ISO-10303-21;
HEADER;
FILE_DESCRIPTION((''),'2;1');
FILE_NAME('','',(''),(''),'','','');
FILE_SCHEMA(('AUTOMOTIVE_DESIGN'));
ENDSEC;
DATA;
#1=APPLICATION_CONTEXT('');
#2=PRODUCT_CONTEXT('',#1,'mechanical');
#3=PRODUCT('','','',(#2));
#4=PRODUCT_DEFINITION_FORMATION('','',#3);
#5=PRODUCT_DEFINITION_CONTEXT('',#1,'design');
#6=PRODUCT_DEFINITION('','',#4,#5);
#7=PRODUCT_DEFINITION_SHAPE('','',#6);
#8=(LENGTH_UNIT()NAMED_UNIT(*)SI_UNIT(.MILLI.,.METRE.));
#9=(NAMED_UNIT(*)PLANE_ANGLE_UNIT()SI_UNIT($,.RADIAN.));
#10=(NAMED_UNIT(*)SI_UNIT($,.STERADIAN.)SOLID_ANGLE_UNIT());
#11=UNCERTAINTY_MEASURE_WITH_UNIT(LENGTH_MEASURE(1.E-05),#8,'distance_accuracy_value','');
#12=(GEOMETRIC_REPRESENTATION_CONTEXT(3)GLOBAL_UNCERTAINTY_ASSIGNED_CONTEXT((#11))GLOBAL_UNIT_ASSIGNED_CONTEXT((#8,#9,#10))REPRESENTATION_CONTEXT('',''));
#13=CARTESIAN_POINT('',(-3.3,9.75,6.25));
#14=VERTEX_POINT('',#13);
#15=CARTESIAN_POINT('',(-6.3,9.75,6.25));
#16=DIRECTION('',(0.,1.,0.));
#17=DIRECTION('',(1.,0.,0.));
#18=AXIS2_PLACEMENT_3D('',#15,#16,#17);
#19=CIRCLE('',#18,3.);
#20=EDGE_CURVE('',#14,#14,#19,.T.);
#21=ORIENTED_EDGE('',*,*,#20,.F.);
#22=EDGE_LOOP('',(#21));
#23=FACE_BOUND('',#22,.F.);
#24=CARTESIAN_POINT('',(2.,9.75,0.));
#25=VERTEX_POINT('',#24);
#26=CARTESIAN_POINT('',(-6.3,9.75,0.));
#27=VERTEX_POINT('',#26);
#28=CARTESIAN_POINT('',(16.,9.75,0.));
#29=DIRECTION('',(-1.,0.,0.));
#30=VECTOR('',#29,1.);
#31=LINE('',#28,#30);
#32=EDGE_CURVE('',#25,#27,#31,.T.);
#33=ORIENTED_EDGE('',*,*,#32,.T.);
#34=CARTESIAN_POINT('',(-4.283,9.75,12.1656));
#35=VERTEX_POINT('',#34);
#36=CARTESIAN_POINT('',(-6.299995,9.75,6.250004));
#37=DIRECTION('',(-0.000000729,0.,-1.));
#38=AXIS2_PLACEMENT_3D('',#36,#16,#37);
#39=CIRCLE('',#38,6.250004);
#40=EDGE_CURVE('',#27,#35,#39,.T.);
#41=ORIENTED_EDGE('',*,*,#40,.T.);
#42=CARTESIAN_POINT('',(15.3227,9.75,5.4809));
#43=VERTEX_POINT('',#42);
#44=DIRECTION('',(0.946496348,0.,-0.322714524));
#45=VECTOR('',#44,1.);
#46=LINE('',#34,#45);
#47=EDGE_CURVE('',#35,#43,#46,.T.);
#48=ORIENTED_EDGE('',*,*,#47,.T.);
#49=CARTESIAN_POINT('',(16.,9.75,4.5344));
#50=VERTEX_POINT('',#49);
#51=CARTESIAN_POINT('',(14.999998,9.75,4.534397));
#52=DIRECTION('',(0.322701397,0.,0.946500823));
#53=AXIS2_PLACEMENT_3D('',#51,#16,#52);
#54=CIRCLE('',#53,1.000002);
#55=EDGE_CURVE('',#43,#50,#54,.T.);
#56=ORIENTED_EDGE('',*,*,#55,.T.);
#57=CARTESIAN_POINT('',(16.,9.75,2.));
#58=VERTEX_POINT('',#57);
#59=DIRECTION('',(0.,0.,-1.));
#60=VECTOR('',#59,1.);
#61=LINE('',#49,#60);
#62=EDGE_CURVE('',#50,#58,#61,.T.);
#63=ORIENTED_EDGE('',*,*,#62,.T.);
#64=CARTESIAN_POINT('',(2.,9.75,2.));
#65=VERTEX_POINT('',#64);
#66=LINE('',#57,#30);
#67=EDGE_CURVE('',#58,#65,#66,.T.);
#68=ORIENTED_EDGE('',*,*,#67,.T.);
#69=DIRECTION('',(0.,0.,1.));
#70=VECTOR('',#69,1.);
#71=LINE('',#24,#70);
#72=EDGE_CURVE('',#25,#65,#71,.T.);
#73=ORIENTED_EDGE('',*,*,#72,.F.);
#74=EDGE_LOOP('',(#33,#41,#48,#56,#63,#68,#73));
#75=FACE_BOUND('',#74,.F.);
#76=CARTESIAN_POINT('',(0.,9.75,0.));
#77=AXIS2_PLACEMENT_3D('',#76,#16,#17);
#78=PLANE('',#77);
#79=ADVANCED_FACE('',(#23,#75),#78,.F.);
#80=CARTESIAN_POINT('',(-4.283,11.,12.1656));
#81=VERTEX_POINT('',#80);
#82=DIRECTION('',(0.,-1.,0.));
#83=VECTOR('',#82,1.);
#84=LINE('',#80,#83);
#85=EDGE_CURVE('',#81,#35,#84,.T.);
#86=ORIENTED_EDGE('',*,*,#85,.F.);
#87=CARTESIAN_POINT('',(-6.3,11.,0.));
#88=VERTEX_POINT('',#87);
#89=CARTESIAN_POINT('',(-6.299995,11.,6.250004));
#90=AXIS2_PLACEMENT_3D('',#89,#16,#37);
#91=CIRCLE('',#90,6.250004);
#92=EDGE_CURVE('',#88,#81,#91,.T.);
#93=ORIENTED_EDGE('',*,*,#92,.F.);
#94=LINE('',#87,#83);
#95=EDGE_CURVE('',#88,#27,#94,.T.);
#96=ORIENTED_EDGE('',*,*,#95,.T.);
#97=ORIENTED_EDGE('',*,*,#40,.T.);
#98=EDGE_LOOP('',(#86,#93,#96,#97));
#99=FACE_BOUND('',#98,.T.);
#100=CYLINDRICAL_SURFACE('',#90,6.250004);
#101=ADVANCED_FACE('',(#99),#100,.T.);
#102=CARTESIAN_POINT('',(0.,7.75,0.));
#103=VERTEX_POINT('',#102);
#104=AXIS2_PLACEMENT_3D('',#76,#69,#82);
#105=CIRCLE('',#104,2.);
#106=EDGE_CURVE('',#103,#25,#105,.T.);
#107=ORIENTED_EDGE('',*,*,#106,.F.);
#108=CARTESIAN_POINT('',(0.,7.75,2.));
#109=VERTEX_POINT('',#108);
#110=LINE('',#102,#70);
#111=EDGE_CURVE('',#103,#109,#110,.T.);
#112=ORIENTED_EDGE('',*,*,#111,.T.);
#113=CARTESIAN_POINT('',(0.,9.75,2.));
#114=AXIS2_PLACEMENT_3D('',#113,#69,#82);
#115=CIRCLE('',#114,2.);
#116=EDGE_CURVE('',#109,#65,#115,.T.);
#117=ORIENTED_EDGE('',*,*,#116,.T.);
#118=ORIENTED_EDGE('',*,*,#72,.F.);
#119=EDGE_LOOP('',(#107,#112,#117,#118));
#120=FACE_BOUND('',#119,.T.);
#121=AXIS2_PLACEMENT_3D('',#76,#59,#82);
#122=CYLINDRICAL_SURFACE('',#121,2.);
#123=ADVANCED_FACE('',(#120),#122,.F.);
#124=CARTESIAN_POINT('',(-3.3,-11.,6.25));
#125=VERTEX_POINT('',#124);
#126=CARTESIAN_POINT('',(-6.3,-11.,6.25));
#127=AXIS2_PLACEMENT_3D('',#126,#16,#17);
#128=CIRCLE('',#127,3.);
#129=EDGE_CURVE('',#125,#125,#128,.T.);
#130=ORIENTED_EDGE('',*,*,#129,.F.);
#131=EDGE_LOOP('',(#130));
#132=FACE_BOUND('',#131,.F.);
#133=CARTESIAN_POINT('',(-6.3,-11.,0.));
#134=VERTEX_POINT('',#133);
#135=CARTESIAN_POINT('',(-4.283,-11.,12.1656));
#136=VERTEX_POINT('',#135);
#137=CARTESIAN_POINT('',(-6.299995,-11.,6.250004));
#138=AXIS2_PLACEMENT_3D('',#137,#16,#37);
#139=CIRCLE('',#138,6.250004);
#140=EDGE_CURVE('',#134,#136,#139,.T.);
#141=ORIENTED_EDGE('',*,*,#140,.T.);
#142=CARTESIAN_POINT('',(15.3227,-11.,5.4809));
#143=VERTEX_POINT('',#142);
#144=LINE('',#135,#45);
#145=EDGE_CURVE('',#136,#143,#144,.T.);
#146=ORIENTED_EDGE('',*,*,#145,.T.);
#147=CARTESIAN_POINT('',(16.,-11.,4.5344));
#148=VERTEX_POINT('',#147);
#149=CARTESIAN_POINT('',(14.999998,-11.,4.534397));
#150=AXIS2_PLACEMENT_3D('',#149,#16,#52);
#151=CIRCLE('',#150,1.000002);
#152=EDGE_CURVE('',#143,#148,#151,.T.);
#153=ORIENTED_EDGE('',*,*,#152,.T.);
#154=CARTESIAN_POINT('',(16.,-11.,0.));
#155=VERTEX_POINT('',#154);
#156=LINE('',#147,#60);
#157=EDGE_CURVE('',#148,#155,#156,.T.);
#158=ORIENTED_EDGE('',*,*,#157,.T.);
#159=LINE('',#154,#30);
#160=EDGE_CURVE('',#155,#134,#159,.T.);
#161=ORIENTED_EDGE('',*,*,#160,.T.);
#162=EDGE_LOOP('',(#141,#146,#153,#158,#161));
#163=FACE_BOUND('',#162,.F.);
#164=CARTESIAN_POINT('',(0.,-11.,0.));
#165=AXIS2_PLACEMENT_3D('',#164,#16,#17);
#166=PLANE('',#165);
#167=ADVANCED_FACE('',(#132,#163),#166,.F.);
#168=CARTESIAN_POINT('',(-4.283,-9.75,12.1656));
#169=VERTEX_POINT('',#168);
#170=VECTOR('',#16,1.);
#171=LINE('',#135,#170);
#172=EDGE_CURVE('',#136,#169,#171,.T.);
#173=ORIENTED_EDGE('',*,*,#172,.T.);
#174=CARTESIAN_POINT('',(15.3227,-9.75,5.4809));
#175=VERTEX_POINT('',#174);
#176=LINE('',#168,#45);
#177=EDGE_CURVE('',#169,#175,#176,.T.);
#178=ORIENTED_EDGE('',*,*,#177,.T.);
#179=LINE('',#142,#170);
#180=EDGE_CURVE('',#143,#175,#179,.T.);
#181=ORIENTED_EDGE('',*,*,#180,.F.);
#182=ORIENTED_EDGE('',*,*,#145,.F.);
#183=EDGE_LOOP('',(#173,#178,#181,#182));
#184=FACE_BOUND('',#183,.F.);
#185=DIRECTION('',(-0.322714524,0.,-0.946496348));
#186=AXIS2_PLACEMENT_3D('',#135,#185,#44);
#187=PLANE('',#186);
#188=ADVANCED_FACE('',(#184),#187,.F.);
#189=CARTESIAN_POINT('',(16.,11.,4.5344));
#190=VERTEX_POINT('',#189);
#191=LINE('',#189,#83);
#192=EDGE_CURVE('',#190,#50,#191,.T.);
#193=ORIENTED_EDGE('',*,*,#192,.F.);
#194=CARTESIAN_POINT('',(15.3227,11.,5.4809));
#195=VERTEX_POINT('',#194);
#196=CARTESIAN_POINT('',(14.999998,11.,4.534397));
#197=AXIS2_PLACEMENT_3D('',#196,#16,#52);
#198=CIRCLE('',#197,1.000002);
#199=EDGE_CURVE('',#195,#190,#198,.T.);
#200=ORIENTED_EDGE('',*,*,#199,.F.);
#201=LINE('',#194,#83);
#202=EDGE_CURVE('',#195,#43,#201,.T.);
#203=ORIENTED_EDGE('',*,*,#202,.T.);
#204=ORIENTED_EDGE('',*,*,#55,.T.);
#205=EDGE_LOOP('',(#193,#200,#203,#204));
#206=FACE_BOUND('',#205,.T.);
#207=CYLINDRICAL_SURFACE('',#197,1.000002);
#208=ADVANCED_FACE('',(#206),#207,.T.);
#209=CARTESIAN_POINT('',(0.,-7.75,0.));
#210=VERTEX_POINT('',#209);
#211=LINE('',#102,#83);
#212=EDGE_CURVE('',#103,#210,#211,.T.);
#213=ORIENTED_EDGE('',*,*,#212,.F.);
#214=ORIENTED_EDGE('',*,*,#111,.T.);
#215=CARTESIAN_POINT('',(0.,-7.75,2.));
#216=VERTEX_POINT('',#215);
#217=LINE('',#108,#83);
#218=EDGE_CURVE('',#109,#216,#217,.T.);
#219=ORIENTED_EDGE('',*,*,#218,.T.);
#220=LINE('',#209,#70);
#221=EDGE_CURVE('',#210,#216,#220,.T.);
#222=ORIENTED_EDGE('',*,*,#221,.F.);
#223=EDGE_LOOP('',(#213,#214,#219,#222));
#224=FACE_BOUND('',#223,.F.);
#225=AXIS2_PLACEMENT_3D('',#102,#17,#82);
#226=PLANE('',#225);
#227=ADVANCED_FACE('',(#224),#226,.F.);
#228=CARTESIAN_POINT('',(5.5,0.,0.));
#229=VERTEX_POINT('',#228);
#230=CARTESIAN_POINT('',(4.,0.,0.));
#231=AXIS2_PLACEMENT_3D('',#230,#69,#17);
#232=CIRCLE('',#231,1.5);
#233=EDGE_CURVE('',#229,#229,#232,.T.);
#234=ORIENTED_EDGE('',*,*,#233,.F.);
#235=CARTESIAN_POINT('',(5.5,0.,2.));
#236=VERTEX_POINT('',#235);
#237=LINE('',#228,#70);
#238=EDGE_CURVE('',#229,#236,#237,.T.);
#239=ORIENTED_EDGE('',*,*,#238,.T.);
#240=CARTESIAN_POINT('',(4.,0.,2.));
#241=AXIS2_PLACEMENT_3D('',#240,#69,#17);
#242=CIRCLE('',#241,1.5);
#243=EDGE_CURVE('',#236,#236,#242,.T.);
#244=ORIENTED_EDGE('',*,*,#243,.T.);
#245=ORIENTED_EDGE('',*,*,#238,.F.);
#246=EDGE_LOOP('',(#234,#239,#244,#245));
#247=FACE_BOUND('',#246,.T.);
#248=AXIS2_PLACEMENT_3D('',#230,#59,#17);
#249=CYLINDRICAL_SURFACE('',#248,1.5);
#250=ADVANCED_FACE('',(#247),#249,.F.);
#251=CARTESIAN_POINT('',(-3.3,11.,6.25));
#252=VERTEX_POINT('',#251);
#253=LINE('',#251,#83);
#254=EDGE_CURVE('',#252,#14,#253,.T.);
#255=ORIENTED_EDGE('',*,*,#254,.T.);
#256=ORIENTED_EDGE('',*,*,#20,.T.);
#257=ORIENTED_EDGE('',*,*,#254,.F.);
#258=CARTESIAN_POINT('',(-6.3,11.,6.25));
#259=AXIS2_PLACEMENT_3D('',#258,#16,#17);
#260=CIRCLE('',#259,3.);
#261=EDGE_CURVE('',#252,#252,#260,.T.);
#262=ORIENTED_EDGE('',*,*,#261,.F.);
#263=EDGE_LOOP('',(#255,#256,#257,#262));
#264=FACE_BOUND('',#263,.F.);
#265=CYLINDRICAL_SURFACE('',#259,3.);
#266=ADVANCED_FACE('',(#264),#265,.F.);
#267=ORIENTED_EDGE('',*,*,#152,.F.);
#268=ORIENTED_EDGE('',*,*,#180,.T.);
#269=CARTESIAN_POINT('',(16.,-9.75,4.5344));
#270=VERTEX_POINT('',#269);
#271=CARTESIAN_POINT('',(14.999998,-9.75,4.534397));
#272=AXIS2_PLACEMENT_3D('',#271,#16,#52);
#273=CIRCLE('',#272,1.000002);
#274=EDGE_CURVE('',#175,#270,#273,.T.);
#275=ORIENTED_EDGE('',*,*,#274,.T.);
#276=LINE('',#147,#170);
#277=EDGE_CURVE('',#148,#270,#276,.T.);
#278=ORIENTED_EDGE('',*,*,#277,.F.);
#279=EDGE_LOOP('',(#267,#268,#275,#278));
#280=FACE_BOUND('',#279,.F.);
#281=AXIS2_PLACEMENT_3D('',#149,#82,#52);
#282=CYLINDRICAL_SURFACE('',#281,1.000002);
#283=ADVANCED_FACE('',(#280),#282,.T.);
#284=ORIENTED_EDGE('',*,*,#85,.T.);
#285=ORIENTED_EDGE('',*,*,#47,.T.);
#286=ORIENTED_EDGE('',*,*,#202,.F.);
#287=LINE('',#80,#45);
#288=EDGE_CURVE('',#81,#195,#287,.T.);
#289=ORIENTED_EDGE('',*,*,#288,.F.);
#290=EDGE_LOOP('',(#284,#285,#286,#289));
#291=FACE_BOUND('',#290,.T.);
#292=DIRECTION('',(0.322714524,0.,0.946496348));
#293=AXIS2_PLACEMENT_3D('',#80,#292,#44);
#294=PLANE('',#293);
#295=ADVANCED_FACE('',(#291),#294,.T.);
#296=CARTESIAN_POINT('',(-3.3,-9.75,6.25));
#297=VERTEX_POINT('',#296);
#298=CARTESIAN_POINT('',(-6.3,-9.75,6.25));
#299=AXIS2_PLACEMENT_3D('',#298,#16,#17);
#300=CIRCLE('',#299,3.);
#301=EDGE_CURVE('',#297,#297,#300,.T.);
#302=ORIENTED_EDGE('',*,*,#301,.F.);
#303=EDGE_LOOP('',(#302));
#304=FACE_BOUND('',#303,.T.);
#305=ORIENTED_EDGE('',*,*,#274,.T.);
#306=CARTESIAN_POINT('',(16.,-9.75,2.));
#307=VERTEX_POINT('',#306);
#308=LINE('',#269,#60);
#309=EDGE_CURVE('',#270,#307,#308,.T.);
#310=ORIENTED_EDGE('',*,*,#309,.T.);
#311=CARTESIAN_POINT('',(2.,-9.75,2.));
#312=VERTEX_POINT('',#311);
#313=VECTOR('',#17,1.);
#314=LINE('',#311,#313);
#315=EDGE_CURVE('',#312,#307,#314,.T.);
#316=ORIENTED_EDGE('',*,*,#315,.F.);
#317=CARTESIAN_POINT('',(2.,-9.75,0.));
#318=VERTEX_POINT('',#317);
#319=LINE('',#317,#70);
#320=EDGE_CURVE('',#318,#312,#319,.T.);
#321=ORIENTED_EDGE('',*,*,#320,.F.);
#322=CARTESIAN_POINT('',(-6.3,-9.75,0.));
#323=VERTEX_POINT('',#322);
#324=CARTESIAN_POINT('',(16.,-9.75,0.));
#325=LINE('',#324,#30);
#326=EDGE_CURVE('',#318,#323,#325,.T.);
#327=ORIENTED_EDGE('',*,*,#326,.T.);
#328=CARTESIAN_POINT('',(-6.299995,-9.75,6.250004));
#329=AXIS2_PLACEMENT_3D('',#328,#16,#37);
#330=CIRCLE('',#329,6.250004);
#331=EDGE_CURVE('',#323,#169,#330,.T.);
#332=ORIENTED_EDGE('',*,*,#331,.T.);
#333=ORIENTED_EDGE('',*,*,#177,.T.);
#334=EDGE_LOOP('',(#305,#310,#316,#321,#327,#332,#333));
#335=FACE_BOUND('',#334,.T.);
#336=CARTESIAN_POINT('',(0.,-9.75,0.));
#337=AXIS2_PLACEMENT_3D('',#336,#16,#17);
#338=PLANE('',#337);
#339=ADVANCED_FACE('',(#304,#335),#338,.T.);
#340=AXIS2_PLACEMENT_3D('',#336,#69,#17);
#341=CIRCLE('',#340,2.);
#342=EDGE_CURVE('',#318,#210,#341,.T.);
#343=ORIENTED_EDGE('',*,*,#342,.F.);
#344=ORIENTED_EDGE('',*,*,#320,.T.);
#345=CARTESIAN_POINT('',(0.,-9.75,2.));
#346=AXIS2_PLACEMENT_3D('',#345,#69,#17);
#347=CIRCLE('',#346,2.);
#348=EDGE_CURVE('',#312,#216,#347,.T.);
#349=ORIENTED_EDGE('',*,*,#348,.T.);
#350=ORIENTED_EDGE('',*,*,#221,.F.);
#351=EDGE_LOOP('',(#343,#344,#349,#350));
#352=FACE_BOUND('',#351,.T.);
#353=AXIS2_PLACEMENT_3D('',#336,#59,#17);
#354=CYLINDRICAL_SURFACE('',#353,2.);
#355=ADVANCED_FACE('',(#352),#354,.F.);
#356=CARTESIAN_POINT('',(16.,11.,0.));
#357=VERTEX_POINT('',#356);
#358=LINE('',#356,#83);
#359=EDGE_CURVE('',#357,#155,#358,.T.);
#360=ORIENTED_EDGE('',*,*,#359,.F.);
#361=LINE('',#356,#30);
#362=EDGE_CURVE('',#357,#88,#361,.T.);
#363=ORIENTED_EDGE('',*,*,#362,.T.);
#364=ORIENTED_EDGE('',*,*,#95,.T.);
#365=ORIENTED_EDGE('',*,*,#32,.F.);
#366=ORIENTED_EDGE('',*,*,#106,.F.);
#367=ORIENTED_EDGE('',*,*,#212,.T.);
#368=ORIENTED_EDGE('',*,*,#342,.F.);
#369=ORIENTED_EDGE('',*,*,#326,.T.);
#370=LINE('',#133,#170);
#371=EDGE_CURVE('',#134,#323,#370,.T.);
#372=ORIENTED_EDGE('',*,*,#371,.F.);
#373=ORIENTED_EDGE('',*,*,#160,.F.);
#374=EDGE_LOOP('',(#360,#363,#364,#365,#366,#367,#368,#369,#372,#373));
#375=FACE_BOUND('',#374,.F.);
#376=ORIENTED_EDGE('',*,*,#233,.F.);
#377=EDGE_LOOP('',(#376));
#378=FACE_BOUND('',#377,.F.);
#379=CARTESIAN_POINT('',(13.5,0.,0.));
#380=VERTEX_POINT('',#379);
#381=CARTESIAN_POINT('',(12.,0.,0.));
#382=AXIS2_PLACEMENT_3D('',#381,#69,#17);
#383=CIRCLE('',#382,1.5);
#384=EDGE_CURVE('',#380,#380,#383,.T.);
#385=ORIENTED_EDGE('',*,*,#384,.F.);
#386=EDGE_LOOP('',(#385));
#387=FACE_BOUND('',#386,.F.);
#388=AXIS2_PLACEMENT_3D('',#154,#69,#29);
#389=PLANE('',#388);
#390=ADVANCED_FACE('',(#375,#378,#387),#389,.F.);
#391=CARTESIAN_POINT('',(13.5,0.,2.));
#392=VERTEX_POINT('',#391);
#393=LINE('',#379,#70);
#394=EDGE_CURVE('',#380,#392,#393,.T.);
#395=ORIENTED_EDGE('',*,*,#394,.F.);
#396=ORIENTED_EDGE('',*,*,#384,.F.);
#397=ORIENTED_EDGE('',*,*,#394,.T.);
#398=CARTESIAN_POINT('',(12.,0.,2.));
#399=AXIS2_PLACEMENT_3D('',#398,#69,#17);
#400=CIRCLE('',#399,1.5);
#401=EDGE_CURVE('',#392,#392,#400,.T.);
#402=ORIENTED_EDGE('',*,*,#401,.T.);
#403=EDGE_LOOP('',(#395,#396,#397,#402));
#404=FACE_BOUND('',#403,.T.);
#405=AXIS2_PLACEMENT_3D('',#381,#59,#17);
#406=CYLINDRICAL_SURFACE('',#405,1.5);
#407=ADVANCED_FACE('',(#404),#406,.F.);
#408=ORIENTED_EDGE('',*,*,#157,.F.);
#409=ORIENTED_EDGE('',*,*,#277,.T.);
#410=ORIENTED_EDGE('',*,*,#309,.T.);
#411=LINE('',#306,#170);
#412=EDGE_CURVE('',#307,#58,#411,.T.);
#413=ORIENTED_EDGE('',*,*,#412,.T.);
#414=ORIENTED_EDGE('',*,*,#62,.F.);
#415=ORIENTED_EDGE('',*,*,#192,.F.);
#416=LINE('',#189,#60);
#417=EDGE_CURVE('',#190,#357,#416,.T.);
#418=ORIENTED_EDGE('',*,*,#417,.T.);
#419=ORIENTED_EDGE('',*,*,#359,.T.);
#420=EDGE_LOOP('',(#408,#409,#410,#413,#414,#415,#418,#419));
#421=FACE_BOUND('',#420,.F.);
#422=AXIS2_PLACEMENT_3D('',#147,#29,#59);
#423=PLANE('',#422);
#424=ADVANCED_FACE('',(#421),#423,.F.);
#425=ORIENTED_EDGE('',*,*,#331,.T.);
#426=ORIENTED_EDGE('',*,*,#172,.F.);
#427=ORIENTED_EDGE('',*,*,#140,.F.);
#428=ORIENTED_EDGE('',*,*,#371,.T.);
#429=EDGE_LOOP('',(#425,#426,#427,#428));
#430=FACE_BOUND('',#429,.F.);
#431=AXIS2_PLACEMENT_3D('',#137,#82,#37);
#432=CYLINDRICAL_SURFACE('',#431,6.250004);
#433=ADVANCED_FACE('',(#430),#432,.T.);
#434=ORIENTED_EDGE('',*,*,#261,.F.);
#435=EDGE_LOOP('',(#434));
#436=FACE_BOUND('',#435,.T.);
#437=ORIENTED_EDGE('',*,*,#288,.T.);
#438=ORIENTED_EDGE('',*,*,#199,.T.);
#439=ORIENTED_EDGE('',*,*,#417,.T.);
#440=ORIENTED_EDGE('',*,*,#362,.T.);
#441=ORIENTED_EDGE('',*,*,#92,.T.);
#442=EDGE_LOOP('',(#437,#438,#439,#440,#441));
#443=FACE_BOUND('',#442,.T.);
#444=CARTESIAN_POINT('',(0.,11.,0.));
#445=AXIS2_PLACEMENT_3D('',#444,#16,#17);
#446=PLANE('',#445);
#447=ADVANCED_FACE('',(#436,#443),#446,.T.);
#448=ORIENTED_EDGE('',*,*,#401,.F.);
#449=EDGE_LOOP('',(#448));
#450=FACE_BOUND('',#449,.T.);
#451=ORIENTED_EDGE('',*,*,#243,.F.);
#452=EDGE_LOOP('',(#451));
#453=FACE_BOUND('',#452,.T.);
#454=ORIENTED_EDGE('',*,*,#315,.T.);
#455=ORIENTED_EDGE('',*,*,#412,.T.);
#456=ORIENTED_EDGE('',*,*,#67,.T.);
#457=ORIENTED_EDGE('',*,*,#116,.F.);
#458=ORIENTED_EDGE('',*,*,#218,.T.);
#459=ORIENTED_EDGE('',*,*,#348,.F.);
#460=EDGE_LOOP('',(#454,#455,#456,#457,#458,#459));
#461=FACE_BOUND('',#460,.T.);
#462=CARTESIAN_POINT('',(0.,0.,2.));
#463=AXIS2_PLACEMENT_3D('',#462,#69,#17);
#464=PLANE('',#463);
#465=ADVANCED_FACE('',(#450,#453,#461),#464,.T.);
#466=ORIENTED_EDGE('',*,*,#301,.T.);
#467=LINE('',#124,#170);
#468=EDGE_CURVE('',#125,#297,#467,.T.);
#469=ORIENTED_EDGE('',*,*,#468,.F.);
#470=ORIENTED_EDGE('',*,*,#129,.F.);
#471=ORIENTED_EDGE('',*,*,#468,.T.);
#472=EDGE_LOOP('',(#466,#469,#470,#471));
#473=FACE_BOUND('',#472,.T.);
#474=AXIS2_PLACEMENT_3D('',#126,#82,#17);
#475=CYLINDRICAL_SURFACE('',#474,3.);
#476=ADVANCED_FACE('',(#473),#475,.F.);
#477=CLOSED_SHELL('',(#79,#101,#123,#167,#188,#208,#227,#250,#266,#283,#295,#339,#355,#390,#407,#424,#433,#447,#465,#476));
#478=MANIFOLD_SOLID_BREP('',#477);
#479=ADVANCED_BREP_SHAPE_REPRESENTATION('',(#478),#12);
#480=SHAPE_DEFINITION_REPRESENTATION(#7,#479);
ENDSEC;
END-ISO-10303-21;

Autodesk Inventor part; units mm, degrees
sketch "Sketch_45" plane through (0, 0, 0) normal (0, 0, 1) x (1, 0, 0)
  arc A0 (2, -9.75) -> (0, -7.75) centre (0, -9.75) ccw
  line L0 (2, -9.75) -> (16, -9.75)
  line L1 (16, -9.75) -> (16, 9.75)
  line L2 (16, 9.75) -> (2, 9.75)
  arc A1 (0, 7.75) -> (2, 9.75) centre (0, 9.75) ccw
  line L3 (0, 7.75) -> (0, -7.75)
  circle A2 centre (12, 0) radius 1.5
  circle A3 centre (4, 0) radius 1.5
extrude "Extrusion1" add sketch "Sketch_45" along normal blind 2
sketch "Sketch_47" plane through (0, 11, 0) normal (0, 1, 0) x (1, 0, 0)
  arc A0 (-6.3, 0) -> (-4.283, -12.1656) centre (-6.3, -6.25) ccw
  line L0 (-4.283, -12.1656) -> (15.3227, -5.4809)
  arc A1 (15.3227, -5.4809) -> (16, -4.5344) centre (15, -4.5344) ccw
  line L1 (16, -4.5344) -> (16, 0)
  line L2 (16, 0) -> (-6.3, 0)
  circle A2 centre (-6.3, -6.25) radius 3
extrude "Extrusion2" add sketch "Sketch_47" against normal blind 1.25
sketch "Sketch_76" plane through (0, -11, 0) normal (0, 1, 0) x (1, 0, 0)
  arc A0 (-6.3, 0) -> (-4.283, -12.1656) centre (-6.3, -6.25) ccw
  line L0 (-4.283, -12.1656) -> (15.3227, -5.4809)
  arc A1 (15.3227, -5.4809) -> (16, -4.5344) centre (15, -4.5344) ccw
  line L1 (16, -4.5344) -> (16, 0)
  line L2 (16, 0) -> (-6.3, 0)
  circle A2 centre (-6.3, -6.25) radius 3
extrude "Extrusion3" add sketch "Sketch_76" along normal blind 1.25
ref_plane "end_2_XY" through (-6.3, 10.5, 6.25) normal (0, 1, 0) x (1, 0, 0)
ref_plane "end_2_YZ" through (-6.3, 10.5, 6.25) normal (1, 0, 0) x (0, 0, -1)
ref_plane "end_2_ZX" through (-6.3, 10.5, 6.25) normal (0, 0, -1) x (0, 1, 0)
ref_plane "end_move_XY" through (-6.3, -11.5, 6.25) normal (0, -1, 0) x (1, 0, 0)
ref_plane "end_move_YZ" through (-6.3, -11.5, 6.25) normal (1, 0, 0) x (0, 0, 1)
ref_plane "end_move_ZX" through (-6.3, -11.5, 6.25) normal (0, 0, 1) x (0, -1, 0)
ref_plane "to_dummy_XY" through (0, 0, 0) normal (0, 0, 1) x (1, 0, 0)
ref_plane "to_dummy_YZ" through (0, 0, 0) normal (1, 0, 0) x (0, 1, 0)
ref_plane "to_dummy_ZX" through (0, 0, 0) normal (0, 1, 0) x (0, 0, 1)
properties part number "045-16-1_se08f"
